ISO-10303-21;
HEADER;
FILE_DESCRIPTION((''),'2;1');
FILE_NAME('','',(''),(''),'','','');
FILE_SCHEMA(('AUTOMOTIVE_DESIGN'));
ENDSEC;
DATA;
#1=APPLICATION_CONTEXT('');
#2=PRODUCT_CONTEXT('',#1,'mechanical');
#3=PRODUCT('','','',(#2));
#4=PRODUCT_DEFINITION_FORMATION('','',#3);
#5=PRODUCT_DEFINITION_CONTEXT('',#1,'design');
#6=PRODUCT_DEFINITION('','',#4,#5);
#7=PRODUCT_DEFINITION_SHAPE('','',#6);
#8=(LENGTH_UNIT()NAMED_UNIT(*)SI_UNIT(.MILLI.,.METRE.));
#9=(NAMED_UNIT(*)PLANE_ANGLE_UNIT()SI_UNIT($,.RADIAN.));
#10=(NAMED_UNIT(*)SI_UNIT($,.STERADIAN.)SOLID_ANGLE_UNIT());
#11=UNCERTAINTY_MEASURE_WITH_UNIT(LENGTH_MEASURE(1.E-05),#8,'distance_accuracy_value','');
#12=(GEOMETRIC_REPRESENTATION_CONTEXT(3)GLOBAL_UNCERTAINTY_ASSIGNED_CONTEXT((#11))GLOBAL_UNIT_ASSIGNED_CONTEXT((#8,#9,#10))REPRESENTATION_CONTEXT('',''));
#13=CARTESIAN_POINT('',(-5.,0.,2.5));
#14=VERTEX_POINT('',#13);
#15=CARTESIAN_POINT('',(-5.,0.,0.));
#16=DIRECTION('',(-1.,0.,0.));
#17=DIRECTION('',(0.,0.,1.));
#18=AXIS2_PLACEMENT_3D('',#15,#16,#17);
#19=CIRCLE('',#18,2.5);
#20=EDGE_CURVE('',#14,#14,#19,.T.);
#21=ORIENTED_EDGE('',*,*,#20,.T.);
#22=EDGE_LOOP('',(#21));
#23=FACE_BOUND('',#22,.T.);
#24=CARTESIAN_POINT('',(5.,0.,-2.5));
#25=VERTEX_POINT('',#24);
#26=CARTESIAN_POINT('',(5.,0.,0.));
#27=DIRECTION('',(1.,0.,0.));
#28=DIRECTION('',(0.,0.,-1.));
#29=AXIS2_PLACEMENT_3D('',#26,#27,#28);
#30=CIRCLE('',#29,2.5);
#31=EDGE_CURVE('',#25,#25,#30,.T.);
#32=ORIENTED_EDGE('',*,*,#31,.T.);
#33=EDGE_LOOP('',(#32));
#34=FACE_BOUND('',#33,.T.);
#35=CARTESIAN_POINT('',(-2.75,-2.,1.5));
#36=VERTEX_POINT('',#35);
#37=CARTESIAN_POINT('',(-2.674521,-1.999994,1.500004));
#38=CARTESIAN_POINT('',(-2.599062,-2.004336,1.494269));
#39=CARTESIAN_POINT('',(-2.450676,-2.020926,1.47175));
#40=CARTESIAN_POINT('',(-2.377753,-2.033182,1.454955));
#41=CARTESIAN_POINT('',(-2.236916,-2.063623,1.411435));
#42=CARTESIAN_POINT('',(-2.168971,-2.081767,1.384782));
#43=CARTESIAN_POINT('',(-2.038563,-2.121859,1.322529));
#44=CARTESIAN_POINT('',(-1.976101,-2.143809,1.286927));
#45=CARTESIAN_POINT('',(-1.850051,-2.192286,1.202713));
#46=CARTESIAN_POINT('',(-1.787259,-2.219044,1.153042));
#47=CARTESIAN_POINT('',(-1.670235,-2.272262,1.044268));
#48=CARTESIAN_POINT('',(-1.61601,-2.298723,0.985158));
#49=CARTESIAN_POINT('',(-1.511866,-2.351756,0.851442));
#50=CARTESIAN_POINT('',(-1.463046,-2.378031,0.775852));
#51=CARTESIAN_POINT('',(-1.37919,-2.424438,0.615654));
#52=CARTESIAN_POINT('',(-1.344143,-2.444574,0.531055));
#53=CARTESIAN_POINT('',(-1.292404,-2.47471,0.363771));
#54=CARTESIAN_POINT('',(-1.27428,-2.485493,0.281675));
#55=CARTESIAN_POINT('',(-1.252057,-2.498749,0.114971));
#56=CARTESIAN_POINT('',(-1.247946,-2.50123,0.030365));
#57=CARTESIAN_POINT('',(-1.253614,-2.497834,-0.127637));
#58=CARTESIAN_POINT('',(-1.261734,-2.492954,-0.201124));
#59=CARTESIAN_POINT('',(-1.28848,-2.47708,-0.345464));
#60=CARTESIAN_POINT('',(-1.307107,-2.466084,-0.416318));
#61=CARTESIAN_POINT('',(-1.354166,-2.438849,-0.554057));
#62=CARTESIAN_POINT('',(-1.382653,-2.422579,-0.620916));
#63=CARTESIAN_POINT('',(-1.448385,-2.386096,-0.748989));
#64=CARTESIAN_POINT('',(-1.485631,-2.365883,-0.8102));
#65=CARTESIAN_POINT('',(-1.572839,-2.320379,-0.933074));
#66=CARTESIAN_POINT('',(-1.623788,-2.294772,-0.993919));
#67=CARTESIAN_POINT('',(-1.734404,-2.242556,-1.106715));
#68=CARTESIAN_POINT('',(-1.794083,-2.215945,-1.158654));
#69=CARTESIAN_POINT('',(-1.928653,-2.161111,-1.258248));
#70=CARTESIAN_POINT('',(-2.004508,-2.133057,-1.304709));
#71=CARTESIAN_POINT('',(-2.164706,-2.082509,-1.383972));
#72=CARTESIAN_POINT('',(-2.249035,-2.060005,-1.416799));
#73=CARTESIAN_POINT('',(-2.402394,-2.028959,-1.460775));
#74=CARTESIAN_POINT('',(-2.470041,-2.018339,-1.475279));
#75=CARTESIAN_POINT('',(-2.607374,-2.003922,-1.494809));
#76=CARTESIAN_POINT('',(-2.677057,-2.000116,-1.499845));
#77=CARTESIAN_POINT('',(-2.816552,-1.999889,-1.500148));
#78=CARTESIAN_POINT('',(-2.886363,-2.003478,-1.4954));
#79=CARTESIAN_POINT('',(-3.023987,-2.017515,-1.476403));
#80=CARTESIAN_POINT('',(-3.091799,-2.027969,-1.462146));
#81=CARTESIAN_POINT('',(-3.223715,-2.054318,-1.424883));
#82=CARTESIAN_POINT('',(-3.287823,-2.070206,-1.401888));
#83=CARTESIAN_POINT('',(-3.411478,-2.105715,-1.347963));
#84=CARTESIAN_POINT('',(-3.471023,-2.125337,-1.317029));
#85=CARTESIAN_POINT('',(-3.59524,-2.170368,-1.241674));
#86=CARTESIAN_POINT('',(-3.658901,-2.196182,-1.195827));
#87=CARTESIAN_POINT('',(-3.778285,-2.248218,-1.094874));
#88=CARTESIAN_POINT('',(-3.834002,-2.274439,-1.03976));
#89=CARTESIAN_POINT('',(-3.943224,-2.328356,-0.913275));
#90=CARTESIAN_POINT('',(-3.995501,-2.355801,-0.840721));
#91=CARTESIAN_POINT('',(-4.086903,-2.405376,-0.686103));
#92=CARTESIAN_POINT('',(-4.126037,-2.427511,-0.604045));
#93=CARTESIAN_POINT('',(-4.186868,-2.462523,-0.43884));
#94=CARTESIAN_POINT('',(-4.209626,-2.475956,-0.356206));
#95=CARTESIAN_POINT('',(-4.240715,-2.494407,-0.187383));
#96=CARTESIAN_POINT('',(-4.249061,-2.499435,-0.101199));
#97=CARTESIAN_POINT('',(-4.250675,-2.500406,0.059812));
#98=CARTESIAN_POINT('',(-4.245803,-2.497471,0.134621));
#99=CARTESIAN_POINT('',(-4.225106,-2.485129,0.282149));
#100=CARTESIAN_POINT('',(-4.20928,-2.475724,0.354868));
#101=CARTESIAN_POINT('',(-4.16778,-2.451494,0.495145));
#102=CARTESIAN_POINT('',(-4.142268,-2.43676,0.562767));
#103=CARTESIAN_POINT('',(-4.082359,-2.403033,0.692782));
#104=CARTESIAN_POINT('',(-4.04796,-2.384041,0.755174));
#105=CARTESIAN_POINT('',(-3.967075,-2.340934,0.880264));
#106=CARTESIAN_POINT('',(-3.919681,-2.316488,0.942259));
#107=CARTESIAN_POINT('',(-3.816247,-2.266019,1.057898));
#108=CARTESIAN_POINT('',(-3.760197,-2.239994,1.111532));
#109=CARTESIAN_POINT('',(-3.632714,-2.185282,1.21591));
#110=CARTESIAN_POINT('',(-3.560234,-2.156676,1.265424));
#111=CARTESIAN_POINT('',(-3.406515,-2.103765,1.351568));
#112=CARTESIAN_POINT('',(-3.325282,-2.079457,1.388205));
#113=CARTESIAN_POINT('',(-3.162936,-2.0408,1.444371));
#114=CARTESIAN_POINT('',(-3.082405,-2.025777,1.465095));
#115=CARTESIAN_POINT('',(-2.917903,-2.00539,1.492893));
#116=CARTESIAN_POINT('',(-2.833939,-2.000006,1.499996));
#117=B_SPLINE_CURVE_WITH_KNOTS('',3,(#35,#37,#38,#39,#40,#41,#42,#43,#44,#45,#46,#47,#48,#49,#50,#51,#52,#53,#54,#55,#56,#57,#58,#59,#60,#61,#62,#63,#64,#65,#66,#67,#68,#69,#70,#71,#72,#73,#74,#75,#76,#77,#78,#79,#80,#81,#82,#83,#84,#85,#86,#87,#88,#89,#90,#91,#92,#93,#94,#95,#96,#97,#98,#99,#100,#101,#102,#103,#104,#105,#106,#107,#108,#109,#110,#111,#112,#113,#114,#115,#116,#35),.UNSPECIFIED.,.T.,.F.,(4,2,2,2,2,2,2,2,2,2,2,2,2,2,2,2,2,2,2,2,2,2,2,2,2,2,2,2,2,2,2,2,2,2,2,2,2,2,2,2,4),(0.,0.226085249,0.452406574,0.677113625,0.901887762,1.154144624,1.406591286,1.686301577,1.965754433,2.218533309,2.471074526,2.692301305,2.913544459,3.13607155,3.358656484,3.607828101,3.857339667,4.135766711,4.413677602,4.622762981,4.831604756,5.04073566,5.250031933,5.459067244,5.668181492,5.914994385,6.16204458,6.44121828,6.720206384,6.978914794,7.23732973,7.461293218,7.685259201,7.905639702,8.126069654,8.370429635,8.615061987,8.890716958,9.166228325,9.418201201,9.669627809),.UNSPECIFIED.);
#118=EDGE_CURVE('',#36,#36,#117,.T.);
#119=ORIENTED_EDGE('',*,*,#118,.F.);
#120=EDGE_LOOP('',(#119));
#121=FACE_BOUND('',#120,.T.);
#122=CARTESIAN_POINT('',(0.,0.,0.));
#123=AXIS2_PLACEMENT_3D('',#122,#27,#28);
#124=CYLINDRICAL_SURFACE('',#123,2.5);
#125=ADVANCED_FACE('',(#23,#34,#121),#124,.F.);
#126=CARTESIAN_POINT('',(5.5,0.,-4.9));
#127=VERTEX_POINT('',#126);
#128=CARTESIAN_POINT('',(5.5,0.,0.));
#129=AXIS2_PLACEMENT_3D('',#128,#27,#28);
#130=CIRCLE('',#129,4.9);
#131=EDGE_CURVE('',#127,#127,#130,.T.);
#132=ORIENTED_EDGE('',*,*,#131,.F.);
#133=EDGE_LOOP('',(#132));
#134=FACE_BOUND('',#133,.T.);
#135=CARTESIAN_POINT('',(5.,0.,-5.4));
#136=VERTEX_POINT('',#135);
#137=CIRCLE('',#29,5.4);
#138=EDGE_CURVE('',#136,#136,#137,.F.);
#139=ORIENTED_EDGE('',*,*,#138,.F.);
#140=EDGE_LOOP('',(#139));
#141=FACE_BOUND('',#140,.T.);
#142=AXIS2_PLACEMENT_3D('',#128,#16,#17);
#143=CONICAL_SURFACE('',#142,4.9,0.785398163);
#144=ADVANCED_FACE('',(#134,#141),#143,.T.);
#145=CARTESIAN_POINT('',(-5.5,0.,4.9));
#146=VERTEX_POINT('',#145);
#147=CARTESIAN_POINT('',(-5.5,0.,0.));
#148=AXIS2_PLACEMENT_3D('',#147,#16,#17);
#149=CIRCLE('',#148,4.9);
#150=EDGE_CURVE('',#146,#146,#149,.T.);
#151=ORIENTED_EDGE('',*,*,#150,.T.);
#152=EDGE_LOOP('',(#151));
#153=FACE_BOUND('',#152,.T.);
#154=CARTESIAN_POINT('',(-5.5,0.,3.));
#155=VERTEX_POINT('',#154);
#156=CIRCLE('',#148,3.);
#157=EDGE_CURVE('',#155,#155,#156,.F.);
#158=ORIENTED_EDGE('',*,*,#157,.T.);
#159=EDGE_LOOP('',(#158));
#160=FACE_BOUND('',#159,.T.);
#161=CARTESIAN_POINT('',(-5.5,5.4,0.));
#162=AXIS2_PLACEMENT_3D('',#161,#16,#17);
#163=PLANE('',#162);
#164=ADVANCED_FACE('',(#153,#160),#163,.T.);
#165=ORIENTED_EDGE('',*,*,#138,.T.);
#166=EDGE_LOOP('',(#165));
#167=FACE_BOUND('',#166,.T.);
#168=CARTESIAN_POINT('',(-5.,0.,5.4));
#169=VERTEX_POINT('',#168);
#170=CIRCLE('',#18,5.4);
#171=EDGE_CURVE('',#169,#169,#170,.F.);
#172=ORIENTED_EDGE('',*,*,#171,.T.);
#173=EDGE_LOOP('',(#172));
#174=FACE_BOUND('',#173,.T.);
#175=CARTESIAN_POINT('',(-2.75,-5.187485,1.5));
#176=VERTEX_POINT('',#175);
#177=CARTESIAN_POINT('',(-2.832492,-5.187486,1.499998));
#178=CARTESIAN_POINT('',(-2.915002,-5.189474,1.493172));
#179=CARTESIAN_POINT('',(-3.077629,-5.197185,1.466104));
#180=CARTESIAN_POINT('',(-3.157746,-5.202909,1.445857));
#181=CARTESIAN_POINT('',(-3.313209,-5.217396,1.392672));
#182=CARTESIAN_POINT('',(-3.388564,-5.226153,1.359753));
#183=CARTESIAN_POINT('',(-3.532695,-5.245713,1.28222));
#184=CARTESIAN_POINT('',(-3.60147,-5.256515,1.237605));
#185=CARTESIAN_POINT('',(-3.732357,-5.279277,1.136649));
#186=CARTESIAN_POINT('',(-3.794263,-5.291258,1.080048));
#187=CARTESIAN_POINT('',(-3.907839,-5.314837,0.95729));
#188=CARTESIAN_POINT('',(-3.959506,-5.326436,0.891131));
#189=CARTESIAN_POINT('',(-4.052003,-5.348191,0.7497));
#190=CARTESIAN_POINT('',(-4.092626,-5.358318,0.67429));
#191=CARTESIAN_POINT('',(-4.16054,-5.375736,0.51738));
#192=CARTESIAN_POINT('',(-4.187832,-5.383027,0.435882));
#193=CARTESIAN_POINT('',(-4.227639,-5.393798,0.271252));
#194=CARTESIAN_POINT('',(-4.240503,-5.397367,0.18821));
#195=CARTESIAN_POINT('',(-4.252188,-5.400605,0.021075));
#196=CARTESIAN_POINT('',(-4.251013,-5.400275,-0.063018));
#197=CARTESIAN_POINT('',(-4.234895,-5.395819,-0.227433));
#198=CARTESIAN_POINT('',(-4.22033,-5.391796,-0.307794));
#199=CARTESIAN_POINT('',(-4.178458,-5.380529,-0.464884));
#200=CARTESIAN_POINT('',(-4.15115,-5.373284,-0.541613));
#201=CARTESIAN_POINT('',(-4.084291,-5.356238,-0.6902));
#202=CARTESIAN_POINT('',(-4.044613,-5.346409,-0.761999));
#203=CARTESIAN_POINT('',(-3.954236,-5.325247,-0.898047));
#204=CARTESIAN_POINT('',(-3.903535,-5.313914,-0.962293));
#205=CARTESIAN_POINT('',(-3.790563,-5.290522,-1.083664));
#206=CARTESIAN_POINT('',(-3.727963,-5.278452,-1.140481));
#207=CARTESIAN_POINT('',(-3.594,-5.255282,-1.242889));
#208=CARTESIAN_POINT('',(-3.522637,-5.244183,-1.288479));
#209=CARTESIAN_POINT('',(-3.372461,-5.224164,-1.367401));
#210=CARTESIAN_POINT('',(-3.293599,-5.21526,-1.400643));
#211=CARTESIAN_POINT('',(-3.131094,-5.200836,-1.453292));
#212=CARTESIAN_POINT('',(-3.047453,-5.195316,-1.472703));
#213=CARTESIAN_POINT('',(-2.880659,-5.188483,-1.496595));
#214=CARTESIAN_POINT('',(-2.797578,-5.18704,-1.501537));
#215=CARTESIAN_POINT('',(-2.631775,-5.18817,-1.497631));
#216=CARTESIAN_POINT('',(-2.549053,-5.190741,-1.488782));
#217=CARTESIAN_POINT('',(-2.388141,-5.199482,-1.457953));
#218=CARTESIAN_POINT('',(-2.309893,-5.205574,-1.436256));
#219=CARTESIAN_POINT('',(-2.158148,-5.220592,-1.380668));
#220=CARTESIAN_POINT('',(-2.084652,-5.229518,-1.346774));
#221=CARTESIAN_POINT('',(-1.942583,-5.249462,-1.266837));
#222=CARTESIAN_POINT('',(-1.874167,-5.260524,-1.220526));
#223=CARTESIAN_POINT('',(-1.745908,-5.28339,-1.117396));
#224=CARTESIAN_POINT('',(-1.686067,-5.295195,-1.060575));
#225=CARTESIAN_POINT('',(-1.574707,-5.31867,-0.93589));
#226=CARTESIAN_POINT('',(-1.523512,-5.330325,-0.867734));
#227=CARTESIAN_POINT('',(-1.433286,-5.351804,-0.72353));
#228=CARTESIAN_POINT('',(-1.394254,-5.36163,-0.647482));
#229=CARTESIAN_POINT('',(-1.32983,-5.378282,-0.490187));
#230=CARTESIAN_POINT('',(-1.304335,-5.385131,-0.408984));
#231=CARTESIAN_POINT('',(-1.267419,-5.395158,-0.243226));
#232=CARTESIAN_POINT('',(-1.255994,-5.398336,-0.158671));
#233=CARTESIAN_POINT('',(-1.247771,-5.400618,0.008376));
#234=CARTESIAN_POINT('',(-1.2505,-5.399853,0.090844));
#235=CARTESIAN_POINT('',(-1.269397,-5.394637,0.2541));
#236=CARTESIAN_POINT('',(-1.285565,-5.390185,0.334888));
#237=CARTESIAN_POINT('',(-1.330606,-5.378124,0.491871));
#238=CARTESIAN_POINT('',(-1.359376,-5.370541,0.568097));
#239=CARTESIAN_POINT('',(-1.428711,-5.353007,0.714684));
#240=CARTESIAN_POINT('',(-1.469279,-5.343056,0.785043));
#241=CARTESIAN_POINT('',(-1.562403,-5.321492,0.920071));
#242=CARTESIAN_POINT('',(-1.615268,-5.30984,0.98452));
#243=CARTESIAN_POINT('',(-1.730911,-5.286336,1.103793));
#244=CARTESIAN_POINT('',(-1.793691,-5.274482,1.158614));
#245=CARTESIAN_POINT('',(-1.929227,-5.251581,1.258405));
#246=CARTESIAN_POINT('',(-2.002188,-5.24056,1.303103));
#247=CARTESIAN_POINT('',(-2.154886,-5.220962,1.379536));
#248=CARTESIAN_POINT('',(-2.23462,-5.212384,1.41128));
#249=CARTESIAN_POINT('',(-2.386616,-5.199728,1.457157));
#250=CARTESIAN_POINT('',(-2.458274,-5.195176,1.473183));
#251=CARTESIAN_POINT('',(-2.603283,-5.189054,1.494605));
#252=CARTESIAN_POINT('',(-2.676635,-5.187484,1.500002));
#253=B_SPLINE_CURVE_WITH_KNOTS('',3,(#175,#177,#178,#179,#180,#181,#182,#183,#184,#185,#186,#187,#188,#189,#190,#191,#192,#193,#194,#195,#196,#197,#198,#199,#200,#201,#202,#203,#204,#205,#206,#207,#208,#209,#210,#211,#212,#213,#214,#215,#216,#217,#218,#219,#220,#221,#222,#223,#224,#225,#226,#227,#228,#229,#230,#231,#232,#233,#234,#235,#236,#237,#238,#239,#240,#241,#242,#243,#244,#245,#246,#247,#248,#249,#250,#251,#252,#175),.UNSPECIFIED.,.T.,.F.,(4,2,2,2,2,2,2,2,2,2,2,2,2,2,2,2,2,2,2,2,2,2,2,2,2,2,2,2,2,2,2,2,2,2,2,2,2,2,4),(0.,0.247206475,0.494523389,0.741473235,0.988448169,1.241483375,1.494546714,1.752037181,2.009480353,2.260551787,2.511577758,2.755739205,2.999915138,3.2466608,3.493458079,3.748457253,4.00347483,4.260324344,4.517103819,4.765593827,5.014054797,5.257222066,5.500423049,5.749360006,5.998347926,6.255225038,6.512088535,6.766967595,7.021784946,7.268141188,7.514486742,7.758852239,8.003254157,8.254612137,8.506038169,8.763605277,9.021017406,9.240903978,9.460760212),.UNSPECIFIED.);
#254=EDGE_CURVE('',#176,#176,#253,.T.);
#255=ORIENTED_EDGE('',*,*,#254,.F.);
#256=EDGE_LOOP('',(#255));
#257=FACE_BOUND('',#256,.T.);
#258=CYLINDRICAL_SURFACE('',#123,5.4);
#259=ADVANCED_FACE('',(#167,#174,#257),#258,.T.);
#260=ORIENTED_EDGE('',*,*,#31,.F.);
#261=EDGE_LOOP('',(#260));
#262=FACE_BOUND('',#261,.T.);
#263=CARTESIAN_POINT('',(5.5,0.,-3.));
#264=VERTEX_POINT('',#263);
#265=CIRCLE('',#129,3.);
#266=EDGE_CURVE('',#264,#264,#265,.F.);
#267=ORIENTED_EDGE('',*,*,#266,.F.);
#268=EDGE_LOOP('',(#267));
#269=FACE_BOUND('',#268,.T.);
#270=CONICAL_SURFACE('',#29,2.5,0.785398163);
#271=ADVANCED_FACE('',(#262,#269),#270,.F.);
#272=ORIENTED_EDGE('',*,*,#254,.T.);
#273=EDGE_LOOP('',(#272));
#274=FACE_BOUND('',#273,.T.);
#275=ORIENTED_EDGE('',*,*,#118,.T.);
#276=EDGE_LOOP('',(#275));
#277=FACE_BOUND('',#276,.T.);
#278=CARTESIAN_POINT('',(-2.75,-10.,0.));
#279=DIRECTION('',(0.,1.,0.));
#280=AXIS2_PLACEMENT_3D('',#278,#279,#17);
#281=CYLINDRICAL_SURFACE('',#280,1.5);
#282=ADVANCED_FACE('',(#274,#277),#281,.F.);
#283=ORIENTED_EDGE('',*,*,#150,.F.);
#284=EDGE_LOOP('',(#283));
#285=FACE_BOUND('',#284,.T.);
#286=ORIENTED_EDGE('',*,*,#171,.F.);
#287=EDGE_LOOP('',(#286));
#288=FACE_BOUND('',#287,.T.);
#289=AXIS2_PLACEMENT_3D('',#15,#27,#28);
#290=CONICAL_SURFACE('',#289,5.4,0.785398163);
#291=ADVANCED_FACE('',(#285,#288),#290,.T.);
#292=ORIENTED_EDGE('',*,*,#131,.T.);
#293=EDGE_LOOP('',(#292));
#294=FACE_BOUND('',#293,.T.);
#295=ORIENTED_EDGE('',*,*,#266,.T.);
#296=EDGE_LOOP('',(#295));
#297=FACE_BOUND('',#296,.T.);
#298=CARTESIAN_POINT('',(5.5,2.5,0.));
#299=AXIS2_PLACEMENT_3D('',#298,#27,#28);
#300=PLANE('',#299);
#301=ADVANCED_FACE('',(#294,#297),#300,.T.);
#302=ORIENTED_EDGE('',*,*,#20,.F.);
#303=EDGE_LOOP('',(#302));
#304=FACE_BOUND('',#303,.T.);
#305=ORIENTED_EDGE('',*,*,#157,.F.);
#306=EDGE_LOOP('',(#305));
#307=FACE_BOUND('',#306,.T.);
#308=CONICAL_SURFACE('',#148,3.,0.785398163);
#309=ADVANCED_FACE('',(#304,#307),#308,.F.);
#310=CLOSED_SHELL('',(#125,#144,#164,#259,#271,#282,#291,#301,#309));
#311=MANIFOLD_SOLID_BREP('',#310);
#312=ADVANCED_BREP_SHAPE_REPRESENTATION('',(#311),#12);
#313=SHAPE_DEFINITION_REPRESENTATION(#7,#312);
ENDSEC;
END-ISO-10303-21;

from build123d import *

# Parameters (mm, degrees)
SKETCH1_W          = 11
SKETCH1_H          = 2.9
SKETCH2_R          = 1.5
CUT_EXTRUDE1_DEPTH = 10
CHAMFER1_SIZE      = 0.5


with BuildPart() as part:
    # Sketch1 → Revolve1 (revolve)
    with BuildSketch(Plane.XY):
        with Locations((0, 3.95)):
            Rectangle(SKETCH1_W, SKETCH1_H)
    revolve(axis=Axis((0, 0, 0), (-1, 0, 0)))

    # Sketch2 → Cut-Extrude1 (cut)
    with BuildSketch(Plane(origin=(0, 0, 0), x_dir=(1, 0, 0), z_dir=(0, 1, 0))):
        with Locations((-2.75, 0)):
            Circle(SKETCH2_R)
    extrude(amount=-CUT_EXTRUDE1_DEPTH, mode=Mode.SUBTRACT)

    # Chamfer1
    chamfer1_edges = [part.edges().sort_by_distance(p)[0] for p in [
        (-5.5, -5.4, 0),
        (5.5, -5.4, 0),
        (5.5, -2.5, 0),
        (-5.5, -2.5, 0),
    ]]
    chamfer(chamfer1_edges, length=CHAMFER1_SIZE)


solid = part.part
